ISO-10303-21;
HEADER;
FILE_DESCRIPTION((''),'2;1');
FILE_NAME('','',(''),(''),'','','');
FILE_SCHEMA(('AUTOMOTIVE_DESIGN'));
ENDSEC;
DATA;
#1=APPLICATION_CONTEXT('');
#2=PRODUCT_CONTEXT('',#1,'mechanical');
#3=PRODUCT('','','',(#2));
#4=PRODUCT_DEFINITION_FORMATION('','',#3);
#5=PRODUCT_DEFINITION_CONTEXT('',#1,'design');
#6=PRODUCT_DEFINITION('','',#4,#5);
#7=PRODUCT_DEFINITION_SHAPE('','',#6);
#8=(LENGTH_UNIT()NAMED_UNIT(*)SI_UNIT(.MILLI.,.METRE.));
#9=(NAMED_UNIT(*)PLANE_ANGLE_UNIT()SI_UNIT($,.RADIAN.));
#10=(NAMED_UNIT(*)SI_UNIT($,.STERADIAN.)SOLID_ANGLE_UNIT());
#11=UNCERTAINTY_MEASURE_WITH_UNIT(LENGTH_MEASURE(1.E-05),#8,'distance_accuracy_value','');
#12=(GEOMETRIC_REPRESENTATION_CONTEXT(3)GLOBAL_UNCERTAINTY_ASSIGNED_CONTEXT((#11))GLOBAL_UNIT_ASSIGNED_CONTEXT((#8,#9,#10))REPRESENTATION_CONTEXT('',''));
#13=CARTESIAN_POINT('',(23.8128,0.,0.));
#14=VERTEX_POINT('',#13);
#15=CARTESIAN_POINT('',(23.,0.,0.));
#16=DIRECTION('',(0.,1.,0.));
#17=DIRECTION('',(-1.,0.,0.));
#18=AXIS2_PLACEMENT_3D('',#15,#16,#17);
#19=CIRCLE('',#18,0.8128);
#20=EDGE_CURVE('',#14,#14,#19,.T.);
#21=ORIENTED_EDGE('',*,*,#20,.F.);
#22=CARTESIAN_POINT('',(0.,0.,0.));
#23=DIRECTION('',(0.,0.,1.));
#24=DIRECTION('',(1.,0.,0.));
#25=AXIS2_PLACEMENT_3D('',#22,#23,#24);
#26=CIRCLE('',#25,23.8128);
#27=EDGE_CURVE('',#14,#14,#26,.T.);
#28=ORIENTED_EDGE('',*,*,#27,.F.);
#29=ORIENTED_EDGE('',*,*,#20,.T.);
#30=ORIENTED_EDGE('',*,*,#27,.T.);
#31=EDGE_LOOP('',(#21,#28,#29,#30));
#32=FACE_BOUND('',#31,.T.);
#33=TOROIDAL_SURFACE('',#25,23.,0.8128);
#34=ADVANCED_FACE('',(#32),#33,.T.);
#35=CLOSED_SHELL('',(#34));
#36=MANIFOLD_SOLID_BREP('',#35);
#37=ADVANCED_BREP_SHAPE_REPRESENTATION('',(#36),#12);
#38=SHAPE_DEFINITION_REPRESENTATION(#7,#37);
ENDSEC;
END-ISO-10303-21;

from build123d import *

# Parameters (mm, degrees)
SWEEP1_PROFILE_R = 0.8128


with BuildPart() as part:
    # Sweep1: sweep along a path in Sketch1
    with BuildLine(Plane.XY) as sweep1_path:
        CenterArc((0, 0), 23, 0, 360)
    # Sweep1 profile (on start of the path) → Sweep1 (sweep)
    with BuildSketch(Plane(origin=(23, 0, 0), x_dir=(0, 0, 1), z_dir=(0, 1, 0))):
        Circle(SWEEP1_PROFILE_R)
    sweep(path=sweep1_path.line)


solid = part.part
